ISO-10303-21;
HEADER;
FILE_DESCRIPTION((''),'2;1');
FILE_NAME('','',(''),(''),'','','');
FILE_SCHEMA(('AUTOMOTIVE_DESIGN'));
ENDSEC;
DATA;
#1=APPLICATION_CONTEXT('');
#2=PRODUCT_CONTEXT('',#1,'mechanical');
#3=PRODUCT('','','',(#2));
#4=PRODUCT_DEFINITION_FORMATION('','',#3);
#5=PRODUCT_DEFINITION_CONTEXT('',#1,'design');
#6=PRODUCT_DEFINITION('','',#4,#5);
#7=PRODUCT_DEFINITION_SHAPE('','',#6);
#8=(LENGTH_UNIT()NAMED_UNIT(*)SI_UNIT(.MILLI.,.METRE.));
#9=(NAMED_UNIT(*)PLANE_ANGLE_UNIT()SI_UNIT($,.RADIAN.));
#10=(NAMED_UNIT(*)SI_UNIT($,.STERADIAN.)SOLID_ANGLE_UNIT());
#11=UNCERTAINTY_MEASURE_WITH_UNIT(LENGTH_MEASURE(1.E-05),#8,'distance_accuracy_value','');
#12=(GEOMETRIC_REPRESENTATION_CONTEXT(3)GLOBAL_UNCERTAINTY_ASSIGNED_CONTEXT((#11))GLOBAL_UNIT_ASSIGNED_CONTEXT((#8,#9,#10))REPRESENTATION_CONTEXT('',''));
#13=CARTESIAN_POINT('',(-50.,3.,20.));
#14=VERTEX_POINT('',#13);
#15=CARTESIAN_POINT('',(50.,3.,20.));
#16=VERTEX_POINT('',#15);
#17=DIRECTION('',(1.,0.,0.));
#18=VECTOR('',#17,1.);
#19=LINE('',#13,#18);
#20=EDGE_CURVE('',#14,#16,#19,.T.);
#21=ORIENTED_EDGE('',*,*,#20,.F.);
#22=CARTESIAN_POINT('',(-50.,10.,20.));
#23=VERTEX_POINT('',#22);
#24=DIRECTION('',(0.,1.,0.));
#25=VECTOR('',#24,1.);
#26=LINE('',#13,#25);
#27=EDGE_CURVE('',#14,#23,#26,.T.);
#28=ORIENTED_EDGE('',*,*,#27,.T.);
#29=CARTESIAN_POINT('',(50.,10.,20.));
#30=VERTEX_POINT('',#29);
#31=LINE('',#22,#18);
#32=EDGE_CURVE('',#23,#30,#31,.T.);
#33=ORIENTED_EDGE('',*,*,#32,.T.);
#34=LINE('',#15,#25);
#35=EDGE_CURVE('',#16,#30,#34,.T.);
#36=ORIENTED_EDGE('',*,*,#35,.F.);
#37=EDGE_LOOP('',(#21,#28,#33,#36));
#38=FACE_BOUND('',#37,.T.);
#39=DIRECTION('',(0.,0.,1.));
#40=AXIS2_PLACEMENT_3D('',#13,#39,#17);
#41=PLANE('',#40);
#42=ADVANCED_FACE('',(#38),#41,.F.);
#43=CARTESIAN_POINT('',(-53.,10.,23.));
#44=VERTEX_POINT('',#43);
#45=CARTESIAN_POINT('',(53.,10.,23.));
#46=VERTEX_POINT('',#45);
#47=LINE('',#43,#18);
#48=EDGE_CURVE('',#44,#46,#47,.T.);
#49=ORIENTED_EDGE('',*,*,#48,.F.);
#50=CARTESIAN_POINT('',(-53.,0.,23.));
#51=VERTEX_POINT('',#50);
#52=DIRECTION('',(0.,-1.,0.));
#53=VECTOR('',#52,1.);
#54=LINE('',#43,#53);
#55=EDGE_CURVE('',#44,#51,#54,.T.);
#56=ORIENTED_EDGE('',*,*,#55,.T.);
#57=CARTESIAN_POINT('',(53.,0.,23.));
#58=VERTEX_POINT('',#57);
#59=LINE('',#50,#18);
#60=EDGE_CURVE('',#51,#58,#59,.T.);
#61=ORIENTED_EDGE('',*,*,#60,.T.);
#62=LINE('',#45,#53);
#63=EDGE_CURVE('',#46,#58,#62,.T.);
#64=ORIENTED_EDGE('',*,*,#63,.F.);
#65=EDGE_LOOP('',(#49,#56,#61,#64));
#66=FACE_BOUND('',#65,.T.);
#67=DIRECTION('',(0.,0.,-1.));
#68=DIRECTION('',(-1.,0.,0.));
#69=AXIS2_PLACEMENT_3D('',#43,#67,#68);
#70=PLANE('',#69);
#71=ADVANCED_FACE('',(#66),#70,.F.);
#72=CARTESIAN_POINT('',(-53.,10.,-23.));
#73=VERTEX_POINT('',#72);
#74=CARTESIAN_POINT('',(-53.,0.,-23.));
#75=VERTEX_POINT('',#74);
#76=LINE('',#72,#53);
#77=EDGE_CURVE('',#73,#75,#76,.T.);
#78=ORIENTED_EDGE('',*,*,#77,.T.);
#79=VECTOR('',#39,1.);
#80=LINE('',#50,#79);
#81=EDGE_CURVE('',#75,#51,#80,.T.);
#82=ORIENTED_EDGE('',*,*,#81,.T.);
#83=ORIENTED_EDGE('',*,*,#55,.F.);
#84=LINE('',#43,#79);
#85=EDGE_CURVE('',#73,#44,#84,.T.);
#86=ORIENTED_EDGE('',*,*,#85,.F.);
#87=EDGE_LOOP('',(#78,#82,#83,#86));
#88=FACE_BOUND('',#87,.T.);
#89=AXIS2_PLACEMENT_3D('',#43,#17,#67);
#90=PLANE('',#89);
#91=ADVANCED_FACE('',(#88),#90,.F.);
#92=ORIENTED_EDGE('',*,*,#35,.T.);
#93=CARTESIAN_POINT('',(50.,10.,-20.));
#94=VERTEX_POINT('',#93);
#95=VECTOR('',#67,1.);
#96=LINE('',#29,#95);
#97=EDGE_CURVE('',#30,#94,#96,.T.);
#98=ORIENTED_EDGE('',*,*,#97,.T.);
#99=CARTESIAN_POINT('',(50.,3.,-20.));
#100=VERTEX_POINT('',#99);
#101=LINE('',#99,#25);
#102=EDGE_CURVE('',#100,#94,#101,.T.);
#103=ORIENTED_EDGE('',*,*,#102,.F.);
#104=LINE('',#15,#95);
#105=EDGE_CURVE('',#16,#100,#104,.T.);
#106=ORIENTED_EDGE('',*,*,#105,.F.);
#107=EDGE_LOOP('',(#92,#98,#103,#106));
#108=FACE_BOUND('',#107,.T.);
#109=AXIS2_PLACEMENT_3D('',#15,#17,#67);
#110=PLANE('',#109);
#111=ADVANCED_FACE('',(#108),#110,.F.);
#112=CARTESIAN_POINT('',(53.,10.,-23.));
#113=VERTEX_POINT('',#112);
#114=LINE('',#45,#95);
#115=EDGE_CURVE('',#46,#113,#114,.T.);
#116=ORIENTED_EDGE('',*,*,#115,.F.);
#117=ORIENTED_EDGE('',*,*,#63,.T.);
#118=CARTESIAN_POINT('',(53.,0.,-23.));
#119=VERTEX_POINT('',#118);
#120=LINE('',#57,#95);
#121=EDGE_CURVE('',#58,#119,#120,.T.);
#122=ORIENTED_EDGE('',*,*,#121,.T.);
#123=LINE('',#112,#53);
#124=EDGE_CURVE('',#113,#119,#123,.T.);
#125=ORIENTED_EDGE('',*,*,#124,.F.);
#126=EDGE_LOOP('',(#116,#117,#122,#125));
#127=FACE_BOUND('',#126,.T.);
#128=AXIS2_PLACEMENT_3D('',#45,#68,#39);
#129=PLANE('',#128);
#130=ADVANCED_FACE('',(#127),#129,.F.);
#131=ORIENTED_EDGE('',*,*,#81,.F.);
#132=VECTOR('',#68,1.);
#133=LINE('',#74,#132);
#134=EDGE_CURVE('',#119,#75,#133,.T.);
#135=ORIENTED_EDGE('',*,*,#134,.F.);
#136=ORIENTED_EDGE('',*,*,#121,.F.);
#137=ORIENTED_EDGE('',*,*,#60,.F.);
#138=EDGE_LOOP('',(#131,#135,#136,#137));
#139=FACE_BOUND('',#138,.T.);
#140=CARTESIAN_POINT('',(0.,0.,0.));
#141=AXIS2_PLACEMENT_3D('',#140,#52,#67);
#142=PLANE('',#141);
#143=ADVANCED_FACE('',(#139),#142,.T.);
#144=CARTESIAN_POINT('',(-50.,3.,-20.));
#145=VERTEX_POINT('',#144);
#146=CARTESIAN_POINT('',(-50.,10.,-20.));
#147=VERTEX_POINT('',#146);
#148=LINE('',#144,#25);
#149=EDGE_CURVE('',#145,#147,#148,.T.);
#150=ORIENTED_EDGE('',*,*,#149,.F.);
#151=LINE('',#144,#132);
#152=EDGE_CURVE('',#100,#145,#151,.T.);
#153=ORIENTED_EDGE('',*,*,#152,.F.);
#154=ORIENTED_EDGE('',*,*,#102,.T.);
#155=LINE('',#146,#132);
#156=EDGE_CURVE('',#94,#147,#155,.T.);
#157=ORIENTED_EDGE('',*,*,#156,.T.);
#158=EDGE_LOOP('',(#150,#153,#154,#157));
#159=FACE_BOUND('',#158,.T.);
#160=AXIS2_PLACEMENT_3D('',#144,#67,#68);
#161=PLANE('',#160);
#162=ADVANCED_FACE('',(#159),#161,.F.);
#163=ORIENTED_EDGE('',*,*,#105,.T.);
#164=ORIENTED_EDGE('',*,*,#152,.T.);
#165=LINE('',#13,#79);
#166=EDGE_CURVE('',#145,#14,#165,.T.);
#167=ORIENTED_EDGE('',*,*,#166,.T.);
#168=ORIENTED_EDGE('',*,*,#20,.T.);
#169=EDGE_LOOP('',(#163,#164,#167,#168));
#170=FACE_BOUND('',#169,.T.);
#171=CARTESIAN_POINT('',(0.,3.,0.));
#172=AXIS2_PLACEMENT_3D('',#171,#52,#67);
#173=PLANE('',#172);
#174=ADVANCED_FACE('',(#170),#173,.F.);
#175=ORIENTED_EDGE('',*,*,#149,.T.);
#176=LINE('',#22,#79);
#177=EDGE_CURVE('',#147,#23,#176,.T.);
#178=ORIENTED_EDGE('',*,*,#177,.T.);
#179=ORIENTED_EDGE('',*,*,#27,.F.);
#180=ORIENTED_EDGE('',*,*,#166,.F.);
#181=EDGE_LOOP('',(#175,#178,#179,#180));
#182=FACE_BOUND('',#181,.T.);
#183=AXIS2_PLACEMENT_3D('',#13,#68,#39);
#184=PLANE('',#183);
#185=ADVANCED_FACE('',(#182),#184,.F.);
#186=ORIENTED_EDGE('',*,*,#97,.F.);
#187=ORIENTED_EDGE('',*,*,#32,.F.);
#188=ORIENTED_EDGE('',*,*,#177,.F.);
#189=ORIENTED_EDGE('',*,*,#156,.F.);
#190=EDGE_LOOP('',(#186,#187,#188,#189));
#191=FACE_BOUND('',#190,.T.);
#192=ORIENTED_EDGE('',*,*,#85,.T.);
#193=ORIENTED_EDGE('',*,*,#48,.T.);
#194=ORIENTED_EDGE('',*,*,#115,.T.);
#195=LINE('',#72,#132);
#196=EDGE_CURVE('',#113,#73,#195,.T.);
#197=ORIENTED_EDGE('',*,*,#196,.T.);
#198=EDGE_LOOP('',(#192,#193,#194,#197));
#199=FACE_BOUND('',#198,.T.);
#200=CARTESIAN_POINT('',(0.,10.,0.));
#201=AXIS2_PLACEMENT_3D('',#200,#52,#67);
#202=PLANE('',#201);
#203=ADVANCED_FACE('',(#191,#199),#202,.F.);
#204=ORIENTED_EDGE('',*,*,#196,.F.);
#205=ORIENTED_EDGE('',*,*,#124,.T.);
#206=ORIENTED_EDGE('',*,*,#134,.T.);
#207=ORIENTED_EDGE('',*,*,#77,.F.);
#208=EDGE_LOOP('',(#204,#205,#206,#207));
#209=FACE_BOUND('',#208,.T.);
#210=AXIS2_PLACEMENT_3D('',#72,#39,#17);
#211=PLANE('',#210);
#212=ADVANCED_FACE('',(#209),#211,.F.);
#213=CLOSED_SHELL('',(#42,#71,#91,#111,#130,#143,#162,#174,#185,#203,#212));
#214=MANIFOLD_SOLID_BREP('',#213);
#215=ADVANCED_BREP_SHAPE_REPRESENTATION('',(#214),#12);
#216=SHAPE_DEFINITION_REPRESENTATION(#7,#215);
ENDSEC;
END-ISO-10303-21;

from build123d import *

# Parameters (mm, degrees)
SKETCH1_W           = 106
SKETCH1_H           = 46
BOSS_EXTRUDE1_DEPTH = 10
SKETCH2_W           = 100
SKETCH2_H           = 40
CUT_EXTRUDE1_DEPTH  = 7


with BuildPart() as part:
    # Sketch1 → Boss-Extrude1 (new body)
    with BuildSketch(Plane(origin=(0, 0, 0), x_dir=(1, 0, 0), z_dir=(0, 1, 0))):
        Rectangle(SKETCH1_W, SKETCH1_H)
    extrude(amount=BOSS_EXTRUDE1_DEPTH)

    # Sketch2 → Cut-Extrude1 (cut)
    with BuildSketch(Plane(origin=(0, 10, 0), x_dir=(1, 0, 0), z_dir=(0, 1, 0))):
        Rectangle(SKETCH2_W, SKETCH2_H)
    extrude(amount=-CUT_EXTRUDE1_DEPTH, mode=Mode.SUBTRACT)


solid = part.part
